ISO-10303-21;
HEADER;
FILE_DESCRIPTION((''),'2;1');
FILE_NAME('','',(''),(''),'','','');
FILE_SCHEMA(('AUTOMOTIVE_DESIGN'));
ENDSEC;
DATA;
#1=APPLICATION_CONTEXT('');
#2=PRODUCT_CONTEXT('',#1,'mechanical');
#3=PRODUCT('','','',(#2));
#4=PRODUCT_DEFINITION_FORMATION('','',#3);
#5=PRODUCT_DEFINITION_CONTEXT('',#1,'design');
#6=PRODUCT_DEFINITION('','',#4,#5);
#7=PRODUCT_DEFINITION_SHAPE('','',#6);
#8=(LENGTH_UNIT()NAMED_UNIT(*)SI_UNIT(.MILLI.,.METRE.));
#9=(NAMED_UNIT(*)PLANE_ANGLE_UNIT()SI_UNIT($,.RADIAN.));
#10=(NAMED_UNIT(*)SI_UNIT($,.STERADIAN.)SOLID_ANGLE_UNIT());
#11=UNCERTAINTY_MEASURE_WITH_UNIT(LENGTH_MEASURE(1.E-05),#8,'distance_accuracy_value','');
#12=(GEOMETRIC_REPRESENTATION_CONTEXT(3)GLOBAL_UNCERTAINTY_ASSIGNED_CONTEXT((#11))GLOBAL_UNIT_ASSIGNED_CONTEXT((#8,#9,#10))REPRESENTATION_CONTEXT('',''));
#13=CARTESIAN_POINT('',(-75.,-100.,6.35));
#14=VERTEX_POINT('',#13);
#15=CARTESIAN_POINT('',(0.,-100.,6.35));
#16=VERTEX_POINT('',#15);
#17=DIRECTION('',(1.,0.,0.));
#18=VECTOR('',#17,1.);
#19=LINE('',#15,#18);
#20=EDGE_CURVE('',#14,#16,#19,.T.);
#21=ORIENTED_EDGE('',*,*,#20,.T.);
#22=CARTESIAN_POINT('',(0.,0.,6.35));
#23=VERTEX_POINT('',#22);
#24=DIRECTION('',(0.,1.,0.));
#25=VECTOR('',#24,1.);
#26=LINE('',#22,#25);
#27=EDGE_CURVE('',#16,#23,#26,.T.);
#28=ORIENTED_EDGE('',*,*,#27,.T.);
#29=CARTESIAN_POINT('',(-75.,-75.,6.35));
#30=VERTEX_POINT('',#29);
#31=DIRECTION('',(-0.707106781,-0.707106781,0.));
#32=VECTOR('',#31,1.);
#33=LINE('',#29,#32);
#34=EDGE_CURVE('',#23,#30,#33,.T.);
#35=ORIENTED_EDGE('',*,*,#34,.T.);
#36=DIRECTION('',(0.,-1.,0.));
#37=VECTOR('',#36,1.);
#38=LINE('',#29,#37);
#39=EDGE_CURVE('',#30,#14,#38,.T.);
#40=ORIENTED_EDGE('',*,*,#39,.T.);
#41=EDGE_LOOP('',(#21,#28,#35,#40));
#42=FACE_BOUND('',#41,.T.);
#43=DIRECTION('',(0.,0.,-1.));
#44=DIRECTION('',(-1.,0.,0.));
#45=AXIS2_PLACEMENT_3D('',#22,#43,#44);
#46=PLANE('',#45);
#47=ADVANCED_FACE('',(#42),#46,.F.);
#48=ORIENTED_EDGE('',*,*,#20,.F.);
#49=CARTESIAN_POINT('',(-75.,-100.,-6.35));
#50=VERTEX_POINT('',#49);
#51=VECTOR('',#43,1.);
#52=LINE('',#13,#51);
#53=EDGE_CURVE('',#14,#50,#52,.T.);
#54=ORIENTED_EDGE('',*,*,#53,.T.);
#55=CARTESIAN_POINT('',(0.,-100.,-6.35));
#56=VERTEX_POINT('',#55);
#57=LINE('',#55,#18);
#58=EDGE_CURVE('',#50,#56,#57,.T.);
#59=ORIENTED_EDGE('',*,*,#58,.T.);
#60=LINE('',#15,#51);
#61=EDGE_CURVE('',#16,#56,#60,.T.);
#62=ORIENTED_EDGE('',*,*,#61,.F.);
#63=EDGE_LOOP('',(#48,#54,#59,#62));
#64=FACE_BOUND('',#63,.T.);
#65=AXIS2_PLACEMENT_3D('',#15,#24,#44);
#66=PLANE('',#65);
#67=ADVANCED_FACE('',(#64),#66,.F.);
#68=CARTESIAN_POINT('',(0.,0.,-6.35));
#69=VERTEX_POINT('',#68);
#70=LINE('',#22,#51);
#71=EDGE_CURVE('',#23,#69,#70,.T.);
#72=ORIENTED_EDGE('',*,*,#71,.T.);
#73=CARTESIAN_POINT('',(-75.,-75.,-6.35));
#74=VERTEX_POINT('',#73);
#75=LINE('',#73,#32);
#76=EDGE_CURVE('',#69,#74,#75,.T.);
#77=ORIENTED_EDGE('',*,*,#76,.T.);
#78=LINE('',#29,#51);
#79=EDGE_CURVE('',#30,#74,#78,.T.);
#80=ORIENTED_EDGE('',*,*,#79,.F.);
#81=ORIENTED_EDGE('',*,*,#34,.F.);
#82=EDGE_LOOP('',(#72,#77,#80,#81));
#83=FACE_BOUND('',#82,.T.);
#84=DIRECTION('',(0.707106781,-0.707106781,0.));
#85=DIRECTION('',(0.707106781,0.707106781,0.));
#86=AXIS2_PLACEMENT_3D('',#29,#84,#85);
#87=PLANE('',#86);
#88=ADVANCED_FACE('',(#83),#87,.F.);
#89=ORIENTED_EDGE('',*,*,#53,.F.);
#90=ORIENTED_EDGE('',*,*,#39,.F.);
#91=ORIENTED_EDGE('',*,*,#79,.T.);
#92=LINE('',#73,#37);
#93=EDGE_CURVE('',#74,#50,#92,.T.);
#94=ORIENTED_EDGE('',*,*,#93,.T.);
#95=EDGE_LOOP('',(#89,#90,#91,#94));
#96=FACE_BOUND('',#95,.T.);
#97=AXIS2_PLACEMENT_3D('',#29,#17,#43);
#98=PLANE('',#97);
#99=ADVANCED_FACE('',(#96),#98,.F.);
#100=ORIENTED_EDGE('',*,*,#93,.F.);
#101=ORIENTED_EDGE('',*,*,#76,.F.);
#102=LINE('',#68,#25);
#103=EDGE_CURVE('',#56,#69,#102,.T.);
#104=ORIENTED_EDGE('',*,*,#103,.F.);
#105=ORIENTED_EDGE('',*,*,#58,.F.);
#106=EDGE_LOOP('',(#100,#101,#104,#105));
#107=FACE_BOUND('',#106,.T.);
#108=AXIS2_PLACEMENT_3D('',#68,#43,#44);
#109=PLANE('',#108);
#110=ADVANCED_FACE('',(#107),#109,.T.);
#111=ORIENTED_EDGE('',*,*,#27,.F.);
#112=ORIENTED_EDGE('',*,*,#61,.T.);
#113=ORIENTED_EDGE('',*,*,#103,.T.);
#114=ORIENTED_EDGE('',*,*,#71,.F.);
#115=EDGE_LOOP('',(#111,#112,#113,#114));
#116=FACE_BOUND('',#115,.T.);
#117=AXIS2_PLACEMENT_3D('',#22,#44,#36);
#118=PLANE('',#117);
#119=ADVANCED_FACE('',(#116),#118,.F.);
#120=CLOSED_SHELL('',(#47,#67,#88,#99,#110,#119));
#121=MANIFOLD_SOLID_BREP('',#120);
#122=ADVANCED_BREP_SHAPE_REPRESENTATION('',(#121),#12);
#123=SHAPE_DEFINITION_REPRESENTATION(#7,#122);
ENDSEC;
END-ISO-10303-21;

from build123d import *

# Parameters (mm, degrees)
BOSS_EXTRUDE1_DEPTH = 6.35


with BuildPart() as part:
    # Sketch1 → Boss-Extrude1 (new, symmetric)
    with BuildSketch(Plane.XY):
        Polygon((0, 0), (0, -100), (-75, -100), (-75, -75), align=None)
    extrude(amount=BOSS_EXTRUDE1_DEPTH, both=True)


solid = part.part
